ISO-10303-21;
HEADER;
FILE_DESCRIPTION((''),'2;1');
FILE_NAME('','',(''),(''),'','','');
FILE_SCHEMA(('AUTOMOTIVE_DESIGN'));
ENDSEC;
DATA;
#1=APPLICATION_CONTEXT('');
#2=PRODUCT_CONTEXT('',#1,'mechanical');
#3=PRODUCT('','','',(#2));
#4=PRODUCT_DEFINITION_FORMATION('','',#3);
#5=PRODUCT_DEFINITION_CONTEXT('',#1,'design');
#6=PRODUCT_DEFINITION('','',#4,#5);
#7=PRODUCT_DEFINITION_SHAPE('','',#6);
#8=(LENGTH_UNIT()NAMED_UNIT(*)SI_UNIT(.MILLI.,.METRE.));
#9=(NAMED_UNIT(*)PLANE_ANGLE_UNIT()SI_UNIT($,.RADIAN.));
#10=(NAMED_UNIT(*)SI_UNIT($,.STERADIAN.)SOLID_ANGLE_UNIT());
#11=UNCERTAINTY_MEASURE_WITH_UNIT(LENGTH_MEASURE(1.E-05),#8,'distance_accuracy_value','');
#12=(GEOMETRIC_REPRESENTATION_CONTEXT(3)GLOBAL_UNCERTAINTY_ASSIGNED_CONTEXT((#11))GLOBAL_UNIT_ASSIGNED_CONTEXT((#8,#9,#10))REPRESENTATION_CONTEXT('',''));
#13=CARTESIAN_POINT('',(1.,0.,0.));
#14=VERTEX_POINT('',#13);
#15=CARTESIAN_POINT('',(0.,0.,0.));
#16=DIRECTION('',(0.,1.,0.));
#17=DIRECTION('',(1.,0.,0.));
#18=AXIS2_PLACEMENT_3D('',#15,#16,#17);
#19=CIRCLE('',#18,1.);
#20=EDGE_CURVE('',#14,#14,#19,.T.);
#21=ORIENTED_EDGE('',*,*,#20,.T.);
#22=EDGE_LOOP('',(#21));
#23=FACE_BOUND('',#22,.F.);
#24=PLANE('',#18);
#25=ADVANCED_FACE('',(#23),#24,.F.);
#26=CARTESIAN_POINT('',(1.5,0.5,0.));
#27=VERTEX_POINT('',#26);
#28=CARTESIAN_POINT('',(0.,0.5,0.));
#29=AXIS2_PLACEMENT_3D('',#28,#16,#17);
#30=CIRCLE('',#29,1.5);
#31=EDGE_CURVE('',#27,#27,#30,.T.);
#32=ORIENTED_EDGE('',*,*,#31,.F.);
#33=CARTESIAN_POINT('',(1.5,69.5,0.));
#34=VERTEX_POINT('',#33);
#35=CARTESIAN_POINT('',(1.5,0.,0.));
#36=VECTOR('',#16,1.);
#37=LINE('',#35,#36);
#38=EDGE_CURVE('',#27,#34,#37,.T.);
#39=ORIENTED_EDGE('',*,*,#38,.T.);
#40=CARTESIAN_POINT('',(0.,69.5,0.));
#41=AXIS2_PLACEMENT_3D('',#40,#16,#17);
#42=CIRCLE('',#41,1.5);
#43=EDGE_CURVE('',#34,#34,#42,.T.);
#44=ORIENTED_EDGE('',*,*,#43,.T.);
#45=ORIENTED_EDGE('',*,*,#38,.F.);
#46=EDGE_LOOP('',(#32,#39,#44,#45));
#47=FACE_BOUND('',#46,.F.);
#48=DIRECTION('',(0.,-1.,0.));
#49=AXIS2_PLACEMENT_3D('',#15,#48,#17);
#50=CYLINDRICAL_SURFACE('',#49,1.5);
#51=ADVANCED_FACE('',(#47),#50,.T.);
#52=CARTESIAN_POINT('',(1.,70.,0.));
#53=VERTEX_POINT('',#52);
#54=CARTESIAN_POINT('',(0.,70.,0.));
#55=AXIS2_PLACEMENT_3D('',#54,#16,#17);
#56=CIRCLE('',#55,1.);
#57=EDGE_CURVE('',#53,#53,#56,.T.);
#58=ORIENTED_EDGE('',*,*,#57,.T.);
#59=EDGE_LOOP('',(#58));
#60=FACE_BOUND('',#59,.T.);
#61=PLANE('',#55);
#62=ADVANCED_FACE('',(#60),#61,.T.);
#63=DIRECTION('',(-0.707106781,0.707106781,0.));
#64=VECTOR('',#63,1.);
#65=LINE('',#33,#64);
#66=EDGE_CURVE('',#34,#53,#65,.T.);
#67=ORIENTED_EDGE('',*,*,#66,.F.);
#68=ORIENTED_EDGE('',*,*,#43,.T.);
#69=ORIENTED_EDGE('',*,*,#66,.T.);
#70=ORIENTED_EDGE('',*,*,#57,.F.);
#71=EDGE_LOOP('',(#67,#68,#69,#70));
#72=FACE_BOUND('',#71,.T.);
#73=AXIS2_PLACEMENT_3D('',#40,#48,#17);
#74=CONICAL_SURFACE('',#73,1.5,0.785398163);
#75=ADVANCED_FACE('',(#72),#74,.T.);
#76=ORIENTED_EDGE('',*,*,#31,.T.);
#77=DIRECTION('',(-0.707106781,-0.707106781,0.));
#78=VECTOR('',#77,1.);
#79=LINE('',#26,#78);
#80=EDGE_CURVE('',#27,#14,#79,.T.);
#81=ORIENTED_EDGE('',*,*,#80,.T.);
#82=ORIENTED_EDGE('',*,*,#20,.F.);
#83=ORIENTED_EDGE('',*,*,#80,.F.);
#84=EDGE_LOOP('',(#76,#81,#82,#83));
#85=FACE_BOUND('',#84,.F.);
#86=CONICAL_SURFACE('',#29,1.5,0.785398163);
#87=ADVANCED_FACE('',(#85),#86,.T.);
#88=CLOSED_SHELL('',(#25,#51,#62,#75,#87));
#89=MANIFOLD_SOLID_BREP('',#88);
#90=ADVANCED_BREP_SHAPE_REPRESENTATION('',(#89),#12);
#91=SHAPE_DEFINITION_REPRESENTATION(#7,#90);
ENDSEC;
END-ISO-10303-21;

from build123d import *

# Parameters (mm, degrees)
SKETCH2_R           = 1.5
BOSS_EXTRUDE1_DEPTH = 70
CHAMFER1_SIZE       = 0.5


with BuildPart() as part:
    # Sketch2 → Boss-Extrude1 (new body)
    with BuildSketch(Plane(origin=(0, 0, 0), x_dir=(1, 0, 0), z_dir=(0, 1, 0))):
        Circle(SKETCH2_R)
    extrude(amount=BOSS_EXTRUDE1_DEPTH)

    # Chamfer1
    chamfer1_edges = [part.edges().sort_by_distance(p)[0] for p in [
        (-1.5, 0, 0),
        (-1.5, 70, 0),
    ]]
    chamfer(chamfer1_edges, length=CHAMFER1_SIZE)


solid = part.part
